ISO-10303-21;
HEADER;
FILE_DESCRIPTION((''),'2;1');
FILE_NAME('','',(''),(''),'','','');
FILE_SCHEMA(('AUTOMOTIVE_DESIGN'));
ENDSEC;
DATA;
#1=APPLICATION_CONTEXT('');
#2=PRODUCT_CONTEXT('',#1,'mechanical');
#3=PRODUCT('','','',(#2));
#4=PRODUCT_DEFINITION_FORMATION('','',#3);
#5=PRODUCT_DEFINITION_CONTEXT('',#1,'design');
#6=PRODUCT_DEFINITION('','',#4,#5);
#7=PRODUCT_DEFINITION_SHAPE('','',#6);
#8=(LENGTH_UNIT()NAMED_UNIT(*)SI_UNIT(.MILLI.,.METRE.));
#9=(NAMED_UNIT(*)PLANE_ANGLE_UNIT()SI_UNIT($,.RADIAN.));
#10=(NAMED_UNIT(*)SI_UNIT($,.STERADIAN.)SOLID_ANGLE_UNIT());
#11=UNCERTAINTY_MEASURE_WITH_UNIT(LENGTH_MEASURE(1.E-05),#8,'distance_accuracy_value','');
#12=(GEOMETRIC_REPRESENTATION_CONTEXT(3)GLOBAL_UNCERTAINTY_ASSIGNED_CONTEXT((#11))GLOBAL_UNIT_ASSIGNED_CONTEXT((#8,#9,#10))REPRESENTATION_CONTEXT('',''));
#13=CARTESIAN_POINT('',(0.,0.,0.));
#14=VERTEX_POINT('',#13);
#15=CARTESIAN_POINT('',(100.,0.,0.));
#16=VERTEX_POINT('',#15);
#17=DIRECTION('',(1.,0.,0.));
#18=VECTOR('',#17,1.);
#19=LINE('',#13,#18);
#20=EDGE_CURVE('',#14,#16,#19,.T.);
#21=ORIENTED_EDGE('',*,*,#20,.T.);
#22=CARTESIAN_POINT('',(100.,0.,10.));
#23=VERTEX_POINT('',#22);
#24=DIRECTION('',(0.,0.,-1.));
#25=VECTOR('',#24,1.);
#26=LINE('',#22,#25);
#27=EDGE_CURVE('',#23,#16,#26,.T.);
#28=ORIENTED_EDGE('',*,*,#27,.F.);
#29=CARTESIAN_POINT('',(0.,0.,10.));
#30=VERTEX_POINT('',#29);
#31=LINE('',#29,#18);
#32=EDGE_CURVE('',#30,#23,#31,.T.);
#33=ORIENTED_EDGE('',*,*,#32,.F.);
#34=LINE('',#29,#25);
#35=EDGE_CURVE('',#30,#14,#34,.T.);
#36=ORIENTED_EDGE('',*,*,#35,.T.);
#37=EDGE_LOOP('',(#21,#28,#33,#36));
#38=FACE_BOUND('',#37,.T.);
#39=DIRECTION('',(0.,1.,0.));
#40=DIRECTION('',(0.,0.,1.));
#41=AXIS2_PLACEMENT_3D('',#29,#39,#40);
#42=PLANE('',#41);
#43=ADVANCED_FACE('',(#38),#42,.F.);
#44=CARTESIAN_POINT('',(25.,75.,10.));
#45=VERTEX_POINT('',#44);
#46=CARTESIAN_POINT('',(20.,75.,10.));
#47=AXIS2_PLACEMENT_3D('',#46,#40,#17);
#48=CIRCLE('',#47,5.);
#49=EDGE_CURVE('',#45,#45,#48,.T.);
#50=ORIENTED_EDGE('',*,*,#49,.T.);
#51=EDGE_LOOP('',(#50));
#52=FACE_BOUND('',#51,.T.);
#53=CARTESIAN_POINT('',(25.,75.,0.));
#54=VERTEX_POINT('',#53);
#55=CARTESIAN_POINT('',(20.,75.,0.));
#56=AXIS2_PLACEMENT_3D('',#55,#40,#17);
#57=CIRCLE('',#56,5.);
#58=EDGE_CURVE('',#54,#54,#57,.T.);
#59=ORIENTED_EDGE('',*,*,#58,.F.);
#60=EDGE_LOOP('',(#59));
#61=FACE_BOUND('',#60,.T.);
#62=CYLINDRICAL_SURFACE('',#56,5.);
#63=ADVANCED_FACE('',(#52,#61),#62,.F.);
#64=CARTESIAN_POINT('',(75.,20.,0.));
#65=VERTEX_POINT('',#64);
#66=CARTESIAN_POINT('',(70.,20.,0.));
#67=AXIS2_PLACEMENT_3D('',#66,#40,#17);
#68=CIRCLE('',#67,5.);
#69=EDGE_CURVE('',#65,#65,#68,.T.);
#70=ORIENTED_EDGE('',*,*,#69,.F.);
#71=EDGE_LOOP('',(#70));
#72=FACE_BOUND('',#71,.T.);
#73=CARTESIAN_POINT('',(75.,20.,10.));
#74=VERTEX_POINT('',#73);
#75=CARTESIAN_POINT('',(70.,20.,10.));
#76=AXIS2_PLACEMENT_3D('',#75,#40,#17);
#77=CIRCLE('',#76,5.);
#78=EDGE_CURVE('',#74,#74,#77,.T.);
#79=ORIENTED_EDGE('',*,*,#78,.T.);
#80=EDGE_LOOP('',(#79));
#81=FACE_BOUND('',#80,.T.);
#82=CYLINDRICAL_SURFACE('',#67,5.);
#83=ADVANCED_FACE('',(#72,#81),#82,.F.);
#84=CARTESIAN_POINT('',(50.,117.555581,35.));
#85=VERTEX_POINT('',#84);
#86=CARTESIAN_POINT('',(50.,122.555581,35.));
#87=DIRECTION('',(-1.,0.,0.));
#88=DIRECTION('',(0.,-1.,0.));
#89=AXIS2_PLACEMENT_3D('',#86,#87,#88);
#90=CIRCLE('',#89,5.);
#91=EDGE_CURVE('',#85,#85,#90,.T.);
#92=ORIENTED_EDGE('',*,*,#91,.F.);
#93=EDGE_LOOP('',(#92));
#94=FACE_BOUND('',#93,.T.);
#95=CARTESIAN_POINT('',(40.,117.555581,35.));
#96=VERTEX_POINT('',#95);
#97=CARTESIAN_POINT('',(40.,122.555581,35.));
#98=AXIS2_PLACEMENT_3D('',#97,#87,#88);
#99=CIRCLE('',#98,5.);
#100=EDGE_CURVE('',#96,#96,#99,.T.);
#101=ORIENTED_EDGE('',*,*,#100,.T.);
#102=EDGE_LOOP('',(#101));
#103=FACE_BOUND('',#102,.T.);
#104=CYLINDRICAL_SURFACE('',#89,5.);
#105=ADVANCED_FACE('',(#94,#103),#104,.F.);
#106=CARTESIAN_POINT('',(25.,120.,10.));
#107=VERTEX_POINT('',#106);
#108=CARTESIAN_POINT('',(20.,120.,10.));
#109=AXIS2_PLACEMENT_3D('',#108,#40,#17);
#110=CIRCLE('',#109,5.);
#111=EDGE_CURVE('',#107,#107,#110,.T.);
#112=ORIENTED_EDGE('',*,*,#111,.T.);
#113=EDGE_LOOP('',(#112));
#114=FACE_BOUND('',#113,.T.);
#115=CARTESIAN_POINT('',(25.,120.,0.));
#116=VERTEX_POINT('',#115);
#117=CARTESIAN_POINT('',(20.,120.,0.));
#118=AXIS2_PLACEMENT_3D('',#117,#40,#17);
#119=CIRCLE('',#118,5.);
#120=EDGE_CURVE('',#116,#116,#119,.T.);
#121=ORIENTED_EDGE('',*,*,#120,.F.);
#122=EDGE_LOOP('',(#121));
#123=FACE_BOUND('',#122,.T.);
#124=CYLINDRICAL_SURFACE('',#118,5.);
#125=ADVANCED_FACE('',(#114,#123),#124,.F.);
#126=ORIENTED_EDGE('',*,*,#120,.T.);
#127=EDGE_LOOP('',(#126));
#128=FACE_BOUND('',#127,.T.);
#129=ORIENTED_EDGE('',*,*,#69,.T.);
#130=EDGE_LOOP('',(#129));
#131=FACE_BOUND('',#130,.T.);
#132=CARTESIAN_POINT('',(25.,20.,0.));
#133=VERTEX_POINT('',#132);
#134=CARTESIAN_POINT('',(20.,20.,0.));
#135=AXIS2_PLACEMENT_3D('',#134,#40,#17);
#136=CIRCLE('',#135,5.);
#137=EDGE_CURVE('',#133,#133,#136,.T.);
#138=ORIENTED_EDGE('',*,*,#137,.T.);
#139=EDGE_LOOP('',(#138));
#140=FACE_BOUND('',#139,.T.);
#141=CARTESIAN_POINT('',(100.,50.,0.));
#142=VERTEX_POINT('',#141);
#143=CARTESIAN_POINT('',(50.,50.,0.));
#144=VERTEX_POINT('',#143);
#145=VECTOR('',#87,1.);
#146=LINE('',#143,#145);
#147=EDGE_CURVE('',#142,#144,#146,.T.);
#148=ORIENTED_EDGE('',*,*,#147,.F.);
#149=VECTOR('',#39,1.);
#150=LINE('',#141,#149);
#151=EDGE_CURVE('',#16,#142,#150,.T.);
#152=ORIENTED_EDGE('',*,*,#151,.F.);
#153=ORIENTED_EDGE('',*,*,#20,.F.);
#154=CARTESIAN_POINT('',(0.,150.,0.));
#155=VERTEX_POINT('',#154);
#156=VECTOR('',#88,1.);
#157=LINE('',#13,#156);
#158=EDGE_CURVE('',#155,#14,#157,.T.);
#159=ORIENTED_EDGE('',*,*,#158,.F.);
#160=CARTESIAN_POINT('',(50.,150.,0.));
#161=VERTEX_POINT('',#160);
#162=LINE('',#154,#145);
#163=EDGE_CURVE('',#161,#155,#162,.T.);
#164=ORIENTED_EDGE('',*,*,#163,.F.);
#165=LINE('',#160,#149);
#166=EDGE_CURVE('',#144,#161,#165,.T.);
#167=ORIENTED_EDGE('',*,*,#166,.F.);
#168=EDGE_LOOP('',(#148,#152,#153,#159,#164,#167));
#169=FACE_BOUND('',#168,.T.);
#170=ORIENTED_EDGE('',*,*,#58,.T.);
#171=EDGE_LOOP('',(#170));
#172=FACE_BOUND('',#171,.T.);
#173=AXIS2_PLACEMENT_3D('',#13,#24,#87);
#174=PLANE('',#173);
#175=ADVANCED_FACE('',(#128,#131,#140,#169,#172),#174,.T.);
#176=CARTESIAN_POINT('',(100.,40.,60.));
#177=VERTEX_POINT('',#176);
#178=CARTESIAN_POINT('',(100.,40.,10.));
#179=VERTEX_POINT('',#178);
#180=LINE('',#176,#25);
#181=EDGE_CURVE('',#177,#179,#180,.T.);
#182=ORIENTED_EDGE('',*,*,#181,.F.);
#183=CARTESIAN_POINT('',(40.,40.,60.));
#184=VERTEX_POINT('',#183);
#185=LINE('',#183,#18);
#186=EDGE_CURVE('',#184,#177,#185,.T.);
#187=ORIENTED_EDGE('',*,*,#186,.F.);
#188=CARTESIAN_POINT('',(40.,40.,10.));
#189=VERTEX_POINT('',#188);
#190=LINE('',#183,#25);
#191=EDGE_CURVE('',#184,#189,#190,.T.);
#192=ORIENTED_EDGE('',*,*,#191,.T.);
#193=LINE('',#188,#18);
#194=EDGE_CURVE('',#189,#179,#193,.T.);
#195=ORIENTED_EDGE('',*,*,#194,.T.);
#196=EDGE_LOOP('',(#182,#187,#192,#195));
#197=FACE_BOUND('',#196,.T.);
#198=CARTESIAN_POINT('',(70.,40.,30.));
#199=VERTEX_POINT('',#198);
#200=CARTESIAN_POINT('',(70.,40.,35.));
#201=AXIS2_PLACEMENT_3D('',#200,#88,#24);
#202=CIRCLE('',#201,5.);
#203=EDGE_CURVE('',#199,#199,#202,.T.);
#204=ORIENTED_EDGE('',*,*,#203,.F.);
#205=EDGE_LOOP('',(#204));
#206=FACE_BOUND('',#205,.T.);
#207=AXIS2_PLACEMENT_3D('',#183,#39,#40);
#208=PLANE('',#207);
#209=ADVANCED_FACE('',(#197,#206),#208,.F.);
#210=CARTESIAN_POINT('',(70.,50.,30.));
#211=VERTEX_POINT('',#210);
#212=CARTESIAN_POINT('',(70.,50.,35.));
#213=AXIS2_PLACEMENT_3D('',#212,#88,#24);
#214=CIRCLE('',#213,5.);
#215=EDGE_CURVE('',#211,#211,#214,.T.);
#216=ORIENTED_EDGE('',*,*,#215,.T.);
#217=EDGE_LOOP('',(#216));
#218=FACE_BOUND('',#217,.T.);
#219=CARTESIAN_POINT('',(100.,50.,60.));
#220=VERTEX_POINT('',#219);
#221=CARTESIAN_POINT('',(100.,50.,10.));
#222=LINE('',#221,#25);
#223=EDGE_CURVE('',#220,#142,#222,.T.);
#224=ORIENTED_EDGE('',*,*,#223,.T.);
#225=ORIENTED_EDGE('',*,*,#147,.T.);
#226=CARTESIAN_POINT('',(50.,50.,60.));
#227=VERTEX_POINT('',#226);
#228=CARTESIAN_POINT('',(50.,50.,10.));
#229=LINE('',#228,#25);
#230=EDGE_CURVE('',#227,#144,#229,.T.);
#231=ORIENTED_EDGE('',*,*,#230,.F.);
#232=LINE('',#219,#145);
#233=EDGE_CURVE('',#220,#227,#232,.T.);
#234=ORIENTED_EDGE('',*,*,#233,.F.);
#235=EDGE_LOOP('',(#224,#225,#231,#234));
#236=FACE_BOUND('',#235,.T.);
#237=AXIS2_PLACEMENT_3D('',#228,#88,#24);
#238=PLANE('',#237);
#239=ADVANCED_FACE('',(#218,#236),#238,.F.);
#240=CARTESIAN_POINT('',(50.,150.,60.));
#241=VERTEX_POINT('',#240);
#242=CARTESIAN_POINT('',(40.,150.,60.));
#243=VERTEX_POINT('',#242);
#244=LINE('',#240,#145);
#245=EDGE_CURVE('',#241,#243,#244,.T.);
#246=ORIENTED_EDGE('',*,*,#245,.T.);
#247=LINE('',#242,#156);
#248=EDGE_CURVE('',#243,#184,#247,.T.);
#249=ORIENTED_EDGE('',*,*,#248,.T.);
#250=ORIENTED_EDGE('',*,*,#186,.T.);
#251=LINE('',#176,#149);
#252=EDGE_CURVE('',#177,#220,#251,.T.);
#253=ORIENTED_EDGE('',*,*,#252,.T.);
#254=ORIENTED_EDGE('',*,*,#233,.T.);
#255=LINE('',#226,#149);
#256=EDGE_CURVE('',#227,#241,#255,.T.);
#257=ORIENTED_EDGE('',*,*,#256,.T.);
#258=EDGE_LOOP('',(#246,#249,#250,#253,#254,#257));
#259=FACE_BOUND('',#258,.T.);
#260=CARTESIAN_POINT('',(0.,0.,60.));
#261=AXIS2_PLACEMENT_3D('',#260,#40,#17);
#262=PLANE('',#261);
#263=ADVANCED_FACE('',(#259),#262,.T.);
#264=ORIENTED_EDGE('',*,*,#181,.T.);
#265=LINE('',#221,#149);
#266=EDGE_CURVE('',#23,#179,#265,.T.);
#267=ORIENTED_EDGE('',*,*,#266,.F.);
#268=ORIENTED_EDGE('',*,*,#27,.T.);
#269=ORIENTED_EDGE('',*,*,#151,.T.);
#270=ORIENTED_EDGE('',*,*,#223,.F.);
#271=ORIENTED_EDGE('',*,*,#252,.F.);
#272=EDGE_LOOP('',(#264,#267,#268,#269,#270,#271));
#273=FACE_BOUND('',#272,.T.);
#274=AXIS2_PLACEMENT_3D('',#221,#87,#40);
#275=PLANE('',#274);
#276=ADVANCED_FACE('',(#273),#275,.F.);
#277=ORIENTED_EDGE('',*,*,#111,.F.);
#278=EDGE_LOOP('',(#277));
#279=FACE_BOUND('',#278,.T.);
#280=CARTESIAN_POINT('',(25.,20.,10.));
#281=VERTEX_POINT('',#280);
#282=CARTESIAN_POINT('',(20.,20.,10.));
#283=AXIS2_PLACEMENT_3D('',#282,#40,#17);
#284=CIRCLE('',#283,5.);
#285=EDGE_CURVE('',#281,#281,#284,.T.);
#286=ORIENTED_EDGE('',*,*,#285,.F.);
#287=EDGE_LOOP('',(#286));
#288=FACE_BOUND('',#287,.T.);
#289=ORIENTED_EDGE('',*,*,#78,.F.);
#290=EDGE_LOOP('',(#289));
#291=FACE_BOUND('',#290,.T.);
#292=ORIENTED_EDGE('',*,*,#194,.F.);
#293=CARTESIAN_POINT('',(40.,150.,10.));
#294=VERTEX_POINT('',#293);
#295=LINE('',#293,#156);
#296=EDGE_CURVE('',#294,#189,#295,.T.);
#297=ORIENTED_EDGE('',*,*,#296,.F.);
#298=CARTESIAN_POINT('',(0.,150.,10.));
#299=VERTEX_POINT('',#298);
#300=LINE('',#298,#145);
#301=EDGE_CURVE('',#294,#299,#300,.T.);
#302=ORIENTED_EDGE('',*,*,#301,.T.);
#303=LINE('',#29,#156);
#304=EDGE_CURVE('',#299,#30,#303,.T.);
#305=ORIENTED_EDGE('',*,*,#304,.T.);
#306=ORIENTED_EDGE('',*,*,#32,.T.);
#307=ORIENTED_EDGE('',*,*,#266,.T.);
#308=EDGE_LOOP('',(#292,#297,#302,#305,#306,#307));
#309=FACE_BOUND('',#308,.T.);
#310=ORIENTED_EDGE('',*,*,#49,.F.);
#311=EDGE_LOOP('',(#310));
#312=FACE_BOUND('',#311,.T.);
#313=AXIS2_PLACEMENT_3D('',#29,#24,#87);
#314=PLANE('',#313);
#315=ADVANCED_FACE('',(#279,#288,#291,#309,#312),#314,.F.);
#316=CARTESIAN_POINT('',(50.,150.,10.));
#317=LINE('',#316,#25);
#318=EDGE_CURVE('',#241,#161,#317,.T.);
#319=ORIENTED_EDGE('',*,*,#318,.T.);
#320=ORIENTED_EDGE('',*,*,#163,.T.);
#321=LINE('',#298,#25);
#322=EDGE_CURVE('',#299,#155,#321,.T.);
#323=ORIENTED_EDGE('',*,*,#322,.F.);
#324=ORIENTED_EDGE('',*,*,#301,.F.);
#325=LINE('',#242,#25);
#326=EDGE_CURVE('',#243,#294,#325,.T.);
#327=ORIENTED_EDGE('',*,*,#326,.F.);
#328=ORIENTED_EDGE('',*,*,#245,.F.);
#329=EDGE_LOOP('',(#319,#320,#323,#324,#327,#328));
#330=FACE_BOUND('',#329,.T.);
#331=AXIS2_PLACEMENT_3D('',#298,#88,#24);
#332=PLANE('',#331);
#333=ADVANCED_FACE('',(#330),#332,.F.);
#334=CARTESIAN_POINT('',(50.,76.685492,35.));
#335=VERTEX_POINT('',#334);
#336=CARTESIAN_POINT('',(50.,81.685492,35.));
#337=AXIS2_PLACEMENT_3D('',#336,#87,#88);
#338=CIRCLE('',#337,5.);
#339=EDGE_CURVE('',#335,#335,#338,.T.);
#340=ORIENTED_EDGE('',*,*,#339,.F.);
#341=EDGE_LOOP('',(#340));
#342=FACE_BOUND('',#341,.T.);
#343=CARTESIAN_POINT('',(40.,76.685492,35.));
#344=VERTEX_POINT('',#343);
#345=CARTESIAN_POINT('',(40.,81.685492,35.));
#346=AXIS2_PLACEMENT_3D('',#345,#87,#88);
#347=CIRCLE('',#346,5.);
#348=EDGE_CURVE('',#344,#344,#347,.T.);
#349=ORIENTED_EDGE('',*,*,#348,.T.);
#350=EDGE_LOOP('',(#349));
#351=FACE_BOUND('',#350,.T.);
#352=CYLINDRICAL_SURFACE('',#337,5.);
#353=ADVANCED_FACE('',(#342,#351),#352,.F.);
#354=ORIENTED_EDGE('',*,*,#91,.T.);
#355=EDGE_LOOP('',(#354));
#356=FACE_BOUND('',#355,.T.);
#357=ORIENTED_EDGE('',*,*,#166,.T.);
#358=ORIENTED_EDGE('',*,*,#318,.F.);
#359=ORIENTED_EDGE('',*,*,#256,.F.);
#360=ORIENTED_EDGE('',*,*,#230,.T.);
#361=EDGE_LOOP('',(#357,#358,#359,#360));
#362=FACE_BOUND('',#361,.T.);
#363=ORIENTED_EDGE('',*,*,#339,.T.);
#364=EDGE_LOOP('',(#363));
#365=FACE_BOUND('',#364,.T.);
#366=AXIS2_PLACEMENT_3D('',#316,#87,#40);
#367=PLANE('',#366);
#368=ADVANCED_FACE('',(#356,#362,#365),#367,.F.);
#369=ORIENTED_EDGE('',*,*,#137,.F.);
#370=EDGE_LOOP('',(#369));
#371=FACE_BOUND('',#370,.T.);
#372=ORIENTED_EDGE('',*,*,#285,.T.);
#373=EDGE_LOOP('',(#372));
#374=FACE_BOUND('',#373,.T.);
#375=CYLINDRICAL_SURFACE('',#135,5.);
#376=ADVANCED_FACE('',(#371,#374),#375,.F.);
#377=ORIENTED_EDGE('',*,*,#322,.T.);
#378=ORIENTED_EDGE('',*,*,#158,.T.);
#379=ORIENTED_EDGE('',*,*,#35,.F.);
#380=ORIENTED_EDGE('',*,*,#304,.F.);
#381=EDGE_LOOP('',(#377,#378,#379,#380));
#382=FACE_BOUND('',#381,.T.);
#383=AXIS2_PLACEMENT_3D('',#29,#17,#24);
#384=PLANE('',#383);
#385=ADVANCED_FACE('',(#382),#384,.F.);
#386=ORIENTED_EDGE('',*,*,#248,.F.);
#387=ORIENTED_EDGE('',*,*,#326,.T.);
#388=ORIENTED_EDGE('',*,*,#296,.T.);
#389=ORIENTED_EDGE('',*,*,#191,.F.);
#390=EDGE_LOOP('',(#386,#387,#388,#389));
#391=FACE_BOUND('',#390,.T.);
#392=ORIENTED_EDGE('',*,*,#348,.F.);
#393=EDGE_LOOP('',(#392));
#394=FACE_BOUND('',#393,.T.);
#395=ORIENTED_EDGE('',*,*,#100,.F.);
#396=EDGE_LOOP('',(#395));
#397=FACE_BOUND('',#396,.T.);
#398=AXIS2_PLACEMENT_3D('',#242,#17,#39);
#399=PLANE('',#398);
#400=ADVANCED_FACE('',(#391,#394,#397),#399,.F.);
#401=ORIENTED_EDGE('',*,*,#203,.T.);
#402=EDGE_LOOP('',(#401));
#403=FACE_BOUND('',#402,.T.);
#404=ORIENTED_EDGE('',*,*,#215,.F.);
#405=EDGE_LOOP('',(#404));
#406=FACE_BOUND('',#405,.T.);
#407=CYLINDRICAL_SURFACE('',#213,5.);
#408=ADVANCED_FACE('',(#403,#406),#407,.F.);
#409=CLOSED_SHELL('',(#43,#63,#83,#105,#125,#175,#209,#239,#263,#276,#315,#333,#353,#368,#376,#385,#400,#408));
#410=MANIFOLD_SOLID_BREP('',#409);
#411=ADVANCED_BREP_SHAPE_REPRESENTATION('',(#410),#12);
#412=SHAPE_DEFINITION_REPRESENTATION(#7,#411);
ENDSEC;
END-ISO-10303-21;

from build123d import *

# Parameters (mm, degrees)
BOSS_EXTRUDE1_DEPTH = 10
BOSS_EXTRUDE2_DEPTH = 50
SKETCH3_R           = 5
CUT_EXTRUDE1_DEPTH  = 188.082869339
SKETCH4_R           = 5
CUT_EXTRUDE2_DEPTH  = 10
SKETCH5_R           = 5
CUT_EXTRUDE3_DEPTH  = 10


with BuildPart() as part:
    # Sketch1 → Boss-Extrude1 (new body)
    with BuildSketch(Plane.XY):
        Polygon((0, 150), (50, 150), (50, 50), (100, 50), (100, 0), (0, 0), align=None)
    extrude(amount=BOSS_EXTRUDE1_DEPTH)

    # Sketch2 → Boss-Extrude2 (add)
    with BuildSketch(Plane.XY.offset(10)):
        Polygon((40, 150), (40, 40), (100, 40), (100, 50), (50, 50), (50, 150), align=None)
    extrude(amount=BOSS_EXTRUDE2_DEPTH)

    # Sketch3 → Cut-Extrude1 (cut, through all)
    with BuildSketch(Plane.XY.offset(10)):
        with Locations((20, 20)):
            Circle(SKETCH3_R)
        with Locations((20, 120)):
            Circle(SKETCH3_R)
        with Locations((20, 75)):
            Circle(SKETCH3_R)
        with Locations((70, 20)):
            Circle(SKETCH3_R)
    extrude(amount=-CUT_EXTRUDE1_DEPTH, mode=Mode.SUBTRACT)

    # Sketch4 → Cut-Extrude2 (cut)
    with BuildSketch(Plane.ZY.offset(-40)):
        with Locations(Location((35, 122.555580901, 0), (0, 0, 270))):
            Circle(SKETCH4_R)
        with Locations(Location((35, 81.685491979, 0), (0, 0, 270))):
            Circle(SKETCH4_R)
    extrude(amount=-CUT_EXTRUDE2_DEPTH, mode=Mode.SUBTRACT)

    # Sketch5 → Cut-Extrude3 (cut)
    with BuildSketch(Plane.XZ.offset(-40)):
        with Locations(Location((70, 35, 0), (0, 0, 270))):
            Circle(SKETCH5_R)
    extrude(amount=-CUT_EXTRUDE3_DEPTH, mode=Mode.SUBTRACT)


solid = part.part
